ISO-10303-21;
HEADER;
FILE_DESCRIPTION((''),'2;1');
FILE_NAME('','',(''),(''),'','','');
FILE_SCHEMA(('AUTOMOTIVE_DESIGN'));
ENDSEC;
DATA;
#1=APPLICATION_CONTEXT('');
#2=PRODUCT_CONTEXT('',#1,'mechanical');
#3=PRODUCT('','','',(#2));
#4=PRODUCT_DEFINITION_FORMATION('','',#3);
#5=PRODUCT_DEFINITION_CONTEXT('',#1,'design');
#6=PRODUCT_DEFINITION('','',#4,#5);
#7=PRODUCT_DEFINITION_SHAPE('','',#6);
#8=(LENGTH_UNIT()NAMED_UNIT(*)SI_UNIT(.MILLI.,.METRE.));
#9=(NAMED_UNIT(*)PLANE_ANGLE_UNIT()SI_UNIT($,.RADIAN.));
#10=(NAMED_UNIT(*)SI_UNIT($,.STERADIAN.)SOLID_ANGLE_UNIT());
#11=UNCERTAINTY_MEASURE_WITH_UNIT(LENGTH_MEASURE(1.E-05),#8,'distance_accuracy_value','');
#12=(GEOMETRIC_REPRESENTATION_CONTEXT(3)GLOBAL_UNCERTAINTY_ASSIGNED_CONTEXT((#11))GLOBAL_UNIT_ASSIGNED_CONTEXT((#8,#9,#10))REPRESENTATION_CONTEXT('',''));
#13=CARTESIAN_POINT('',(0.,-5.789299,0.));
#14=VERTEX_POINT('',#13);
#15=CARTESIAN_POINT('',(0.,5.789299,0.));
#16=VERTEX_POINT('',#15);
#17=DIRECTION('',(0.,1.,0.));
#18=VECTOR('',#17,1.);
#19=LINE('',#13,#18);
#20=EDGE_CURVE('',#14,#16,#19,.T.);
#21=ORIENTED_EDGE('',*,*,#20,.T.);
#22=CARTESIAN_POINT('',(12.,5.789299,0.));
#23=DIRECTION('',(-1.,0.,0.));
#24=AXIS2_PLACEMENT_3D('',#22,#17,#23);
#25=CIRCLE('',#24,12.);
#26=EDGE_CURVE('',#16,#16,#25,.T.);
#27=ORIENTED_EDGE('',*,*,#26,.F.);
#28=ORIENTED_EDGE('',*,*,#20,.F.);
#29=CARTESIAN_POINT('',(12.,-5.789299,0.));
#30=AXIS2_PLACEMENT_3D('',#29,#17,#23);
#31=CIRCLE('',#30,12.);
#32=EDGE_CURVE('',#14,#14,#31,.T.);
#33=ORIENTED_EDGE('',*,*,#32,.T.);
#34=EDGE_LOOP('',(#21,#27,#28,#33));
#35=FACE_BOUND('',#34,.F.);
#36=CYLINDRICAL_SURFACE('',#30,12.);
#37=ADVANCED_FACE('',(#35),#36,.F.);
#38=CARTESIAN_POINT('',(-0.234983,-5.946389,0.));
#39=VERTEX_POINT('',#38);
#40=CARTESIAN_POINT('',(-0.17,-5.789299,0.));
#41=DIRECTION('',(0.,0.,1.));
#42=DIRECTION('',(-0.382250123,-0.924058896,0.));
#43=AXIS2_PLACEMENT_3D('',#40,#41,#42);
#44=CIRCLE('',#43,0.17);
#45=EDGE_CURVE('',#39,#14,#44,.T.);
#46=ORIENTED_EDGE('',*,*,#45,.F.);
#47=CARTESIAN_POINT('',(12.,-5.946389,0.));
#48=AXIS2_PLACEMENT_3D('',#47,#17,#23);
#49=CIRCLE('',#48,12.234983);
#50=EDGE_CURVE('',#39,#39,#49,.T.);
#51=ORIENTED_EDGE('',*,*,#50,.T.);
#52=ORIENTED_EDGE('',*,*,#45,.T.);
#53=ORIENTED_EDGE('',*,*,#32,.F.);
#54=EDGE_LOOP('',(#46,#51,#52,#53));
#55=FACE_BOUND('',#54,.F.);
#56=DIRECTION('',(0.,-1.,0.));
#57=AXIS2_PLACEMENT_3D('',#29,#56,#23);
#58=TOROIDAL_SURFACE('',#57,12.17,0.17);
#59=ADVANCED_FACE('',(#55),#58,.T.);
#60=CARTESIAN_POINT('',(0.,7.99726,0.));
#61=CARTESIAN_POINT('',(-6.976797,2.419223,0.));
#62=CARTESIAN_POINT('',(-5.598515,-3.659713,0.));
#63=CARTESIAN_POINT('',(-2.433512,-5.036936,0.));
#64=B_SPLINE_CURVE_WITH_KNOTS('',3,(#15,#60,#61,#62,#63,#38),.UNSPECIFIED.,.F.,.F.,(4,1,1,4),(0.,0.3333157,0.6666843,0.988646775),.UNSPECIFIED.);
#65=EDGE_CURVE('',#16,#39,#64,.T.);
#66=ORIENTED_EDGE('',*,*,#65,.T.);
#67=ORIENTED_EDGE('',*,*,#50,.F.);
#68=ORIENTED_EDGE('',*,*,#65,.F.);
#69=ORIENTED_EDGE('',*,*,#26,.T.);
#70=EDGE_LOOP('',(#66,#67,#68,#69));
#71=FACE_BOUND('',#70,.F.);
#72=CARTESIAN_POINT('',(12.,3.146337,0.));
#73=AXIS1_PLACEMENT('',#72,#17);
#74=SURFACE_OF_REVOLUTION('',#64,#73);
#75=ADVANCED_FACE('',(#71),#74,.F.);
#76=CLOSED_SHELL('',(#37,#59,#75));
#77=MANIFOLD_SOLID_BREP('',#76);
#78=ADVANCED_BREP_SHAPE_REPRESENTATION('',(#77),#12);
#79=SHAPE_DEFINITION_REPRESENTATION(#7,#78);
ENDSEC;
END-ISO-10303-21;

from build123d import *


with BuildPart() as f1:
    # F0 (on Top) → F1 (revolve)
    with BuildSketch(Plane.XY):
        with BuildLine():
            ThreePointArc((-0.234982521, -5.9463885618), (-0.0755199189, -5.9306262335), (0, -5.7892985495))
            Line((0, -5.7892985495), (0, 5.7892985495))
            add(Edge.make_bspline(
                [(0, 5.7892985495), (0, 7.9972603805), (-6.9767969589, 2.4192232279), (-5.5985147582, -3.6597134655), (-2.433511646, -5.0369356764), (-0.234982521, -5.9463885618)],
                knots=[0, 0, 0, 0, 0.3333157002, 0.6666842998, 0.9886467745, 0.9886467745, 0.9886467745, 0.9886467745], degree=3))
        make_face()
    revolve(axis=Axis((12, 3.1463371124, 0), (0, 1, 0)))


solid = f1.part
